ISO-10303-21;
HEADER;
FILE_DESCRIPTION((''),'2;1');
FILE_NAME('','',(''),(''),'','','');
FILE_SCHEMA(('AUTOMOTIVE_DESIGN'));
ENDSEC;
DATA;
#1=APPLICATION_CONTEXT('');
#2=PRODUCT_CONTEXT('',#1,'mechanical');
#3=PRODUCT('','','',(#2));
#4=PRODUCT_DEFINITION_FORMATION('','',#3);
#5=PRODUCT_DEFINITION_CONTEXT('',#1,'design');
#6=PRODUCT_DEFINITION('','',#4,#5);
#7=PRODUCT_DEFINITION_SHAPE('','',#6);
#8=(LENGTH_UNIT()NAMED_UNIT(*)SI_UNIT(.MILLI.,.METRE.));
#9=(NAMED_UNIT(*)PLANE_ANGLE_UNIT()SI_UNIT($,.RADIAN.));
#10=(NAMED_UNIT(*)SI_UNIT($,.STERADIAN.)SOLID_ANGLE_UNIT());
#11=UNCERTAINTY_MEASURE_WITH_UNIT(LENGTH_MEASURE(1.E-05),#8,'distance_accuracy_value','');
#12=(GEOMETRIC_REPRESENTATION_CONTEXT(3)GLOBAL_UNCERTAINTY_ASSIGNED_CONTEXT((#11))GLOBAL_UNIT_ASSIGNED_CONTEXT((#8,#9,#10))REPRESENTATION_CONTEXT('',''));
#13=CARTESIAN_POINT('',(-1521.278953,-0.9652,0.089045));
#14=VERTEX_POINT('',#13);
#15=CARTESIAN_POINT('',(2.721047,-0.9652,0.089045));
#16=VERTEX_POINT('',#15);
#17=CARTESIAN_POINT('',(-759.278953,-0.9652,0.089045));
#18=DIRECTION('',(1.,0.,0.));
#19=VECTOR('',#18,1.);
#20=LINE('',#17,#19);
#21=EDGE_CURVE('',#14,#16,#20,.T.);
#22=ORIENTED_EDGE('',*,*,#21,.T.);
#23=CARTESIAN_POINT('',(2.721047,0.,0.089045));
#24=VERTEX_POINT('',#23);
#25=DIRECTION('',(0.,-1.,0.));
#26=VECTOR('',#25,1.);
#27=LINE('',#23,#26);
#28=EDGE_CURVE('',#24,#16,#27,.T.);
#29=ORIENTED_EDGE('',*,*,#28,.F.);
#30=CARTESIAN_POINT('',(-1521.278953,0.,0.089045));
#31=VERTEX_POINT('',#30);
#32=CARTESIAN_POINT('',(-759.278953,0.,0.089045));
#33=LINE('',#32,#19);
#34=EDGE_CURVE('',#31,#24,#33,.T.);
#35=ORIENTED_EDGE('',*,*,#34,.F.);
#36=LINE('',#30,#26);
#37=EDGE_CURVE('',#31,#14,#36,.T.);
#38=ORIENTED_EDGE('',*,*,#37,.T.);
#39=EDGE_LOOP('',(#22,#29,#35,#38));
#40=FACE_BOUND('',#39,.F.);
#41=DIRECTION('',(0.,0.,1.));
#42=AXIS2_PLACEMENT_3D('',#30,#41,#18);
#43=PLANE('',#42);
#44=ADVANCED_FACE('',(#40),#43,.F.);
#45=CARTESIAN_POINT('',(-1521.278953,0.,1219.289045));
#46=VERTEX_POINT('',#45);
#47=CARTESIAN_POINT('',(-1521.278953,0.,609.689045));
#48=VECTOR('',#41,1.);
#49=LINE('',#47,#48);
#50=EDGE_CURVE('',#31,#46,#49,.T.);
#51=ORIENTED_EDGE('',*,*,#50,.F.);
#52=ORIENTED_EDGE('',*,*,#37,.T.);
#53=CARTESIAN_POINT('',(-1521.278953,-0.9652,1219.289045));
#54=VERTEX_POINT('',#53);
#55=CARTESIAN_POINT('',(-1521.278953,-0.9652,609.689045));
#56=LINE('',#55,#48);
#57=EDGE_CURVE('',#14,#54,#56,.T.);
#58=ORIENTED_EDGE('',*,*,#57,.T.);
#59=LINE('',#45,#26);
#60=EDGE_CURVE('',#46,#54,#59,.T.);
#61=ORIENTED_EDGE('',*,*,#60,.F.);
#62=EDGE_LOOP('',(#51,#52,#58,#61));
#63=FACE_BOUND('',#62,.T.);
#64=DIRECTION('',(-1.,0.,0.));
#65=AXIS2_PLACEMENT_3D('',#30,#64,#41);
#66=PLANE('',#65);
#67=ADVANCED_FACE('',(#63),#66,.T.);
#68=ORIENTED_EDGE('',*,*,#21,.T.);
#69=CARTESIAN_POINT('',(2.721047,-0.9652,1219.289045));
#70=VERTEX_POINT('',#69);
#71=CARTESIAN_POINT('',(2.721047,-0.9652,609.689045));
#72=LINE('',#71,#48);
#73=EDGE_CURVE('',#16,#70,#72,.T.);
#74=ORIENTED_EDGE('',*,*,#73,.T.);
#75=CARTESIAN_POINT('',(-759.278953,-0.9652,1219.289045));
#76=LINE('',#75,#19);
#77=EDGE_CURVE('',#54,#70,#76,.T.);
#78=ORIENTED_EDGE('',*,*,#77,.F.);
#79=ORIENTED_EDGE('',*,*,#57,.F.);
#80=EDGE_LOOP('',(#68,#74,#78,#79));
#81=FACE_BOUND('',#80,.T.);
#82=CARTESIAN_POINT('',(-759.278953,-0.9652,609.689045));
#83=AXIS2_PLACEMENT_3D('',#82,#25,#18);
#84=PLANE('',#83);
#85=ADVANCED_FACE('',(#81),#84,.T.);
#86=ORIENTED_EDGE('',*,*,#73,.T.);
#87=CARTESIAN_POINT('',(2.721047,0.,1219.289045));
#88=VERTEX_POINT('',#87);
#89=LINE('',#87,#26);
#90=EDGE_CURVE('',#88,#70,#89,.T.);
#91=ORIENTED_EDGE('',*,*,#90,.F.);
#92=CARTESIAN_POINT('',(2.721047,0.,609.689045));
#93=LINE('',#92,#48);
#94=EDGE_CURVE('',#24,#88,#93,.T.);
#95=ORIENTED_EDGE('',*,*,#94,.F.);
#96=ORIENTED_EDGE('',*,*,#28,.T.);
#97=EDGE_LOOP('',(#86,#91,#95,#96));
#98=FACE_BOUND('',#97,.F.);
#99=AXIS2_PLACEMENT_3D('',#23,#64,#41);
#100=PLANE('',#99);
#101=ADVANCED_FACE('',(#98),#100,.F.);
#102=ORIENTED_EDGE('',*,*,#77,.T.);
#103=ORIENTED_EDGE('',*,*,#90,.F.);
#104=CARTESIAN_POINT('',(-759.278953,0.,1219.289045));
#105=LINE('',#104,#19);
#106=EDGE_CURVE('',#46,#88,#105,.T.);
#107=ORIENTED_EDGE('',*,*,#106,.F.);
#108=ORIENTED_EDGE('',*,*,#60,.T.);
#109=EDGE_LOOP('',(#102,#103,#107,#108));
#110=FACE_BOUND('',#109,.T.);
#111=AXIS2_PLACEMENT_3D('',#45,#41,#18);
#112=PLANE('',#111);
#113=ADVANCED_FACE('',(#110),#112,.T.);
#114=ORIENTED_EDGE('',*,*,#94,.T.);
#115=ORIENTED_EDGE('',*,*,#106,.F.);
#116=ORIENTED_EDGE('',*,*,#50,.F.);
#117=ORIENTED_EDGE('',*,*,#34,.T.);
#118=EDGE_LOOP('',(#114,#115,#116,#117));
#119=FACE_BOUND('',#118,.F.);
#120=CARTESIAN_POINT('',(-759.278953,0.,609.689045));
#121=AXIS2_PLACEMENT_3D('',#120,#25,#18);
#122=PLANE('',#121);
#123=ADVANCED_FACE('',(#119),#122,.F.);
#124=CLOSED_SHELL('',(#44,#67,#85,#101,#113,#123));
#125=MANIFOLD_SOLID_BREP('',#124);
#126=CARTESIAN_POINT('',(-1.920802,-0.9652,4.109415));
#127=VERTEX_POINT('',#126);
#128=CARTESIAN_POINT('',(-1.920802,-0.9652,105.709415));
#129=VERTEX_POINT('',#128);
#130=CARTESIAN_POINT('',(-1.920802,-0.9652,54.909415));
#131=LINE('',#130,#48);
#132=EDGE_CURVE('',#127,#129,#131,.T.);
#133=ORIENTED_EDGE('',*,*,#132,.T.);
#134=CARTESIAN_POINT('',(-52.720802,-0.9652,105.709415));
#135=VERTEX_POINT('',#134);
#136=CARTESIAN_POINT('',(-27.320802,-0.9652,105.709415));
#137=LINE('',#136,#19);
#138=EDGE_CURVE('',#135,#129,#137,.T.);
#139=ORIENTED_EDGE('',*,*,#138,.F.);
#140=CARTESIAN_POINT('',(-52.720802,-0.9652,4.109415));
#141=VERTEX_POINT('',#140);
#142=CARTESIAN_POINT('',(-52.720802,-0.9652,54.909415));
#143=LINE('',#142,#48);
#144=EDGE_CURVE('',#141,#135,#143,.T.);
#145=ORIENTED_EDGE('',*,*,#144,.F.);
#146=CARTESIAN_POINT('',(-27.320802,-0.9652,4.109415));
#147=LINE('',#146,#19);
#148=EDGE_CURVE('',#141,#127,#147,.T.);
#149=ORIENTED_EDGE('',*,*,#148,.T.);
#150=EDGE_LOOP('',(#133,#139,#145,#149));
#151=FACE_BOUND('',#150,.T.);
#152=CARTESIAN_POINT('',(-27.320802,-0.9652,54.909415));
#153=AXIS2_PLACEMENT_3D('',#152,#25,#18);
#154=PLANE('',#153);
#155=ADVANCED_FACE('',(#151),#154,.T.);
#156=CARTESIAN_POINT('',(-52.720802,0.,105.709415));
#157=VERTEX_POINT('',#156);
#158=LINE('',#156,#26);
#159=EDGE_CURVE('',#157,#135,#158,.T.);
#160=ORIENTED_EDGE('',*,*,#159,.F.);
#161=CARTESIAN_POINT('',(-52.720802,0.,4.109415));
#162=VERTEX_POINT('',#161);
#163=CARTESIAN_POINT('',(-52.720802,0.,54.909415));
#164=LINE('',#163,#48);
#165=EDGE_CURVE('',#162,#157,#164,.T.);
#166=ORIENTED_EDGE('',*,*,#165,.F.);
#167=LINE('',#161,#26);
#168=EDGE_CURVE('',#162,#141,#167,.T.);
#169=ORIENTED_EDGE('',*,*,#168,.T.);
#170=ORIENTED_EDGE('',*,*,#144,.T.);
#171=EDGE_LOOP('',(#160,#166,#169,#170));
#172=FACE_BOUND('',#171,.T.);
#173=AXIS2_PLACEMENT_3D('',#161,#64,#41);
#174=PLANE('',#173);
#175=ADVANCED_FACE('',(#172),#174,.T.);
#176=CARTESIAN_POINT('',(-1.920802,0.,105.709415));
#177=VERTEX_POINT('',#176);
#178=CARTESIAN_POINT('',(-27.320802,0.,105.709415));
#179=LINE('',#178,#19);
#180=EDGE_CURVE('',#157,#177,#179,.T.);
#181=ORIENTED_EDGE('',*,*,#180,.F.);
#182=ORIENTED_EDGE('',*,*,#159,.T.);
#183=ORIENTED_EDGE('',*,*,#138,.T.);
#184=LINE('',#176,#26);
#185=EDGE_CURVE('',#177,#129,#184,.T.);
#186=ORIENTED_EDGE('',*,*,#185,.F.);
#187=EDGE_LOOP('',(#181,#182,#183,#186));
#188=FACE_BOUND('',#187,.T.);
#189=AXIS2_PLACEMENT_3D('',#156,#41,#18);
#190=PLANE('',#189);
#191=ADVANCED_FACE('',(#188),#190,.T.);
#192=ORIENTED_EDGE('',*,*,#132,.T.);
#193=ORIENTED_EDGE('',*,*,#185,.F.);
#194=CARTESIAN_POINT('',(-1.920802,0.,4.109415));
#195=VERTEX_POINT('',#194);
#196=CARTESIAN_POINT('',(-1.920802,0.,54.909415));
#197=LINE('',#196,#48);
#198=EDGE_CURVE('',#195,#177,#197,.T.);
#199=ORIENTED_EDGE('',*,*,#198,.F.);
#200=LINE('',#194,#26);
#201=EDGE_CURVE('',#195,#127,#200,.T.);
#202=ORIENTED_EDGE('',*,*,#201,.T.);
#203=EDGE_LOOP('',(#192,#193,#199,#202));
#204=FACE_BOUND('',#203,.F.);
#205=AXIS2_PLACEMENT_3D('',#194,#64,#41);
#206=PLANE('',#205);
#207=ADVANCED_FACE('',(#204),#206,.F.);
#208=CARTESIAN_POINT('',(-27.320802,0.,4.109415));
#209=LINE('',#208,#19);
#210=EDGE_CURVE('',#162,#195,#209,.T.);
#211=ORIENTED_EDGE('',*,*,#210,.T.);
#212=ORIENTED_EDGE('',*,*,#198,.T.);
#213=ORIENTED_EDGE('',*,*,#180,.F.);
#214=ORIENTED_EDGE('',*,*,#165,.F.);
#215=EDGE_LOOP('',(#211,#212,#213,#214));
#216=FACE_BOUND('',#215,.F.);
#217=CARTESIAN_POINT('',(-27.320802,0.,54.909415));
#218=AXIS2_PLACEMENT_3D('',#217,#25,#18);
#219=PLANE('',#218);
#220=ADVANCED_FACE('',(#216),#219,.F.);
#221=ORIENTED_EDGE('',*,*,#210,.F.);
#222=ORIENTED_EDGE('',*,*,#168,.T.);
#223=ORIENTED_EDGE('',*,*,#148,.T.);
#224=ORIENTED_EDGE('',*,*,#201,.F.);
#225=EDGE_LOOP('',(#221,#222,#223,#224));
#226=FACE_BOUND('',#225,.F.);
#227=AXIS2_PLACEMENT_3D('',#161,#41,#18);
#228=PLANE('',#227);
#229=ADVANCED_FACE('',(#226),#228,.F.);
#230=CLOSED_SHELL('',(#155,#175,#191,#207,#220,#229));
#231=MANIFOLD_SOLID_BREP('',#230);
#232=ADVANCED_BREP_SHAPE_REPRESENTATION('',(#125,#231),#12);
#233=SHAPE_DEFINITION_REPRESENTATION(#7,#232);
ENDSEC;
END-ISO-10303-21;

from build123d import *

# Parameters (mm, degrees)
F0_W     = 1524
F0_H     = 1219.2
F2_DEPTH = 0.9652
F1_W     = 50.8
F1_H     = 101.6
F3_DEPTH = 0.9652


with BuildPart() as f2:
    # F0 (on Front) → F2 (new body)
    with BuildSketch(Plane.XZ):
        with Locations((-759.278953, 609.689045)):
            Rectangle(F0_W, F0_H)
    extrude(amount=F2_DEPTH)


with BuildPart() as f3:
    # F1 (on face) → F3 (new body)
    with BuildSketch(Plane.XZ):
        with Locations((-27.320802, 54.909415)):
            Rectangle(F1_W, F1_H)
    extrude(amount=F3_DEPTH)


solid = Compound([f2.part, f3.part])
